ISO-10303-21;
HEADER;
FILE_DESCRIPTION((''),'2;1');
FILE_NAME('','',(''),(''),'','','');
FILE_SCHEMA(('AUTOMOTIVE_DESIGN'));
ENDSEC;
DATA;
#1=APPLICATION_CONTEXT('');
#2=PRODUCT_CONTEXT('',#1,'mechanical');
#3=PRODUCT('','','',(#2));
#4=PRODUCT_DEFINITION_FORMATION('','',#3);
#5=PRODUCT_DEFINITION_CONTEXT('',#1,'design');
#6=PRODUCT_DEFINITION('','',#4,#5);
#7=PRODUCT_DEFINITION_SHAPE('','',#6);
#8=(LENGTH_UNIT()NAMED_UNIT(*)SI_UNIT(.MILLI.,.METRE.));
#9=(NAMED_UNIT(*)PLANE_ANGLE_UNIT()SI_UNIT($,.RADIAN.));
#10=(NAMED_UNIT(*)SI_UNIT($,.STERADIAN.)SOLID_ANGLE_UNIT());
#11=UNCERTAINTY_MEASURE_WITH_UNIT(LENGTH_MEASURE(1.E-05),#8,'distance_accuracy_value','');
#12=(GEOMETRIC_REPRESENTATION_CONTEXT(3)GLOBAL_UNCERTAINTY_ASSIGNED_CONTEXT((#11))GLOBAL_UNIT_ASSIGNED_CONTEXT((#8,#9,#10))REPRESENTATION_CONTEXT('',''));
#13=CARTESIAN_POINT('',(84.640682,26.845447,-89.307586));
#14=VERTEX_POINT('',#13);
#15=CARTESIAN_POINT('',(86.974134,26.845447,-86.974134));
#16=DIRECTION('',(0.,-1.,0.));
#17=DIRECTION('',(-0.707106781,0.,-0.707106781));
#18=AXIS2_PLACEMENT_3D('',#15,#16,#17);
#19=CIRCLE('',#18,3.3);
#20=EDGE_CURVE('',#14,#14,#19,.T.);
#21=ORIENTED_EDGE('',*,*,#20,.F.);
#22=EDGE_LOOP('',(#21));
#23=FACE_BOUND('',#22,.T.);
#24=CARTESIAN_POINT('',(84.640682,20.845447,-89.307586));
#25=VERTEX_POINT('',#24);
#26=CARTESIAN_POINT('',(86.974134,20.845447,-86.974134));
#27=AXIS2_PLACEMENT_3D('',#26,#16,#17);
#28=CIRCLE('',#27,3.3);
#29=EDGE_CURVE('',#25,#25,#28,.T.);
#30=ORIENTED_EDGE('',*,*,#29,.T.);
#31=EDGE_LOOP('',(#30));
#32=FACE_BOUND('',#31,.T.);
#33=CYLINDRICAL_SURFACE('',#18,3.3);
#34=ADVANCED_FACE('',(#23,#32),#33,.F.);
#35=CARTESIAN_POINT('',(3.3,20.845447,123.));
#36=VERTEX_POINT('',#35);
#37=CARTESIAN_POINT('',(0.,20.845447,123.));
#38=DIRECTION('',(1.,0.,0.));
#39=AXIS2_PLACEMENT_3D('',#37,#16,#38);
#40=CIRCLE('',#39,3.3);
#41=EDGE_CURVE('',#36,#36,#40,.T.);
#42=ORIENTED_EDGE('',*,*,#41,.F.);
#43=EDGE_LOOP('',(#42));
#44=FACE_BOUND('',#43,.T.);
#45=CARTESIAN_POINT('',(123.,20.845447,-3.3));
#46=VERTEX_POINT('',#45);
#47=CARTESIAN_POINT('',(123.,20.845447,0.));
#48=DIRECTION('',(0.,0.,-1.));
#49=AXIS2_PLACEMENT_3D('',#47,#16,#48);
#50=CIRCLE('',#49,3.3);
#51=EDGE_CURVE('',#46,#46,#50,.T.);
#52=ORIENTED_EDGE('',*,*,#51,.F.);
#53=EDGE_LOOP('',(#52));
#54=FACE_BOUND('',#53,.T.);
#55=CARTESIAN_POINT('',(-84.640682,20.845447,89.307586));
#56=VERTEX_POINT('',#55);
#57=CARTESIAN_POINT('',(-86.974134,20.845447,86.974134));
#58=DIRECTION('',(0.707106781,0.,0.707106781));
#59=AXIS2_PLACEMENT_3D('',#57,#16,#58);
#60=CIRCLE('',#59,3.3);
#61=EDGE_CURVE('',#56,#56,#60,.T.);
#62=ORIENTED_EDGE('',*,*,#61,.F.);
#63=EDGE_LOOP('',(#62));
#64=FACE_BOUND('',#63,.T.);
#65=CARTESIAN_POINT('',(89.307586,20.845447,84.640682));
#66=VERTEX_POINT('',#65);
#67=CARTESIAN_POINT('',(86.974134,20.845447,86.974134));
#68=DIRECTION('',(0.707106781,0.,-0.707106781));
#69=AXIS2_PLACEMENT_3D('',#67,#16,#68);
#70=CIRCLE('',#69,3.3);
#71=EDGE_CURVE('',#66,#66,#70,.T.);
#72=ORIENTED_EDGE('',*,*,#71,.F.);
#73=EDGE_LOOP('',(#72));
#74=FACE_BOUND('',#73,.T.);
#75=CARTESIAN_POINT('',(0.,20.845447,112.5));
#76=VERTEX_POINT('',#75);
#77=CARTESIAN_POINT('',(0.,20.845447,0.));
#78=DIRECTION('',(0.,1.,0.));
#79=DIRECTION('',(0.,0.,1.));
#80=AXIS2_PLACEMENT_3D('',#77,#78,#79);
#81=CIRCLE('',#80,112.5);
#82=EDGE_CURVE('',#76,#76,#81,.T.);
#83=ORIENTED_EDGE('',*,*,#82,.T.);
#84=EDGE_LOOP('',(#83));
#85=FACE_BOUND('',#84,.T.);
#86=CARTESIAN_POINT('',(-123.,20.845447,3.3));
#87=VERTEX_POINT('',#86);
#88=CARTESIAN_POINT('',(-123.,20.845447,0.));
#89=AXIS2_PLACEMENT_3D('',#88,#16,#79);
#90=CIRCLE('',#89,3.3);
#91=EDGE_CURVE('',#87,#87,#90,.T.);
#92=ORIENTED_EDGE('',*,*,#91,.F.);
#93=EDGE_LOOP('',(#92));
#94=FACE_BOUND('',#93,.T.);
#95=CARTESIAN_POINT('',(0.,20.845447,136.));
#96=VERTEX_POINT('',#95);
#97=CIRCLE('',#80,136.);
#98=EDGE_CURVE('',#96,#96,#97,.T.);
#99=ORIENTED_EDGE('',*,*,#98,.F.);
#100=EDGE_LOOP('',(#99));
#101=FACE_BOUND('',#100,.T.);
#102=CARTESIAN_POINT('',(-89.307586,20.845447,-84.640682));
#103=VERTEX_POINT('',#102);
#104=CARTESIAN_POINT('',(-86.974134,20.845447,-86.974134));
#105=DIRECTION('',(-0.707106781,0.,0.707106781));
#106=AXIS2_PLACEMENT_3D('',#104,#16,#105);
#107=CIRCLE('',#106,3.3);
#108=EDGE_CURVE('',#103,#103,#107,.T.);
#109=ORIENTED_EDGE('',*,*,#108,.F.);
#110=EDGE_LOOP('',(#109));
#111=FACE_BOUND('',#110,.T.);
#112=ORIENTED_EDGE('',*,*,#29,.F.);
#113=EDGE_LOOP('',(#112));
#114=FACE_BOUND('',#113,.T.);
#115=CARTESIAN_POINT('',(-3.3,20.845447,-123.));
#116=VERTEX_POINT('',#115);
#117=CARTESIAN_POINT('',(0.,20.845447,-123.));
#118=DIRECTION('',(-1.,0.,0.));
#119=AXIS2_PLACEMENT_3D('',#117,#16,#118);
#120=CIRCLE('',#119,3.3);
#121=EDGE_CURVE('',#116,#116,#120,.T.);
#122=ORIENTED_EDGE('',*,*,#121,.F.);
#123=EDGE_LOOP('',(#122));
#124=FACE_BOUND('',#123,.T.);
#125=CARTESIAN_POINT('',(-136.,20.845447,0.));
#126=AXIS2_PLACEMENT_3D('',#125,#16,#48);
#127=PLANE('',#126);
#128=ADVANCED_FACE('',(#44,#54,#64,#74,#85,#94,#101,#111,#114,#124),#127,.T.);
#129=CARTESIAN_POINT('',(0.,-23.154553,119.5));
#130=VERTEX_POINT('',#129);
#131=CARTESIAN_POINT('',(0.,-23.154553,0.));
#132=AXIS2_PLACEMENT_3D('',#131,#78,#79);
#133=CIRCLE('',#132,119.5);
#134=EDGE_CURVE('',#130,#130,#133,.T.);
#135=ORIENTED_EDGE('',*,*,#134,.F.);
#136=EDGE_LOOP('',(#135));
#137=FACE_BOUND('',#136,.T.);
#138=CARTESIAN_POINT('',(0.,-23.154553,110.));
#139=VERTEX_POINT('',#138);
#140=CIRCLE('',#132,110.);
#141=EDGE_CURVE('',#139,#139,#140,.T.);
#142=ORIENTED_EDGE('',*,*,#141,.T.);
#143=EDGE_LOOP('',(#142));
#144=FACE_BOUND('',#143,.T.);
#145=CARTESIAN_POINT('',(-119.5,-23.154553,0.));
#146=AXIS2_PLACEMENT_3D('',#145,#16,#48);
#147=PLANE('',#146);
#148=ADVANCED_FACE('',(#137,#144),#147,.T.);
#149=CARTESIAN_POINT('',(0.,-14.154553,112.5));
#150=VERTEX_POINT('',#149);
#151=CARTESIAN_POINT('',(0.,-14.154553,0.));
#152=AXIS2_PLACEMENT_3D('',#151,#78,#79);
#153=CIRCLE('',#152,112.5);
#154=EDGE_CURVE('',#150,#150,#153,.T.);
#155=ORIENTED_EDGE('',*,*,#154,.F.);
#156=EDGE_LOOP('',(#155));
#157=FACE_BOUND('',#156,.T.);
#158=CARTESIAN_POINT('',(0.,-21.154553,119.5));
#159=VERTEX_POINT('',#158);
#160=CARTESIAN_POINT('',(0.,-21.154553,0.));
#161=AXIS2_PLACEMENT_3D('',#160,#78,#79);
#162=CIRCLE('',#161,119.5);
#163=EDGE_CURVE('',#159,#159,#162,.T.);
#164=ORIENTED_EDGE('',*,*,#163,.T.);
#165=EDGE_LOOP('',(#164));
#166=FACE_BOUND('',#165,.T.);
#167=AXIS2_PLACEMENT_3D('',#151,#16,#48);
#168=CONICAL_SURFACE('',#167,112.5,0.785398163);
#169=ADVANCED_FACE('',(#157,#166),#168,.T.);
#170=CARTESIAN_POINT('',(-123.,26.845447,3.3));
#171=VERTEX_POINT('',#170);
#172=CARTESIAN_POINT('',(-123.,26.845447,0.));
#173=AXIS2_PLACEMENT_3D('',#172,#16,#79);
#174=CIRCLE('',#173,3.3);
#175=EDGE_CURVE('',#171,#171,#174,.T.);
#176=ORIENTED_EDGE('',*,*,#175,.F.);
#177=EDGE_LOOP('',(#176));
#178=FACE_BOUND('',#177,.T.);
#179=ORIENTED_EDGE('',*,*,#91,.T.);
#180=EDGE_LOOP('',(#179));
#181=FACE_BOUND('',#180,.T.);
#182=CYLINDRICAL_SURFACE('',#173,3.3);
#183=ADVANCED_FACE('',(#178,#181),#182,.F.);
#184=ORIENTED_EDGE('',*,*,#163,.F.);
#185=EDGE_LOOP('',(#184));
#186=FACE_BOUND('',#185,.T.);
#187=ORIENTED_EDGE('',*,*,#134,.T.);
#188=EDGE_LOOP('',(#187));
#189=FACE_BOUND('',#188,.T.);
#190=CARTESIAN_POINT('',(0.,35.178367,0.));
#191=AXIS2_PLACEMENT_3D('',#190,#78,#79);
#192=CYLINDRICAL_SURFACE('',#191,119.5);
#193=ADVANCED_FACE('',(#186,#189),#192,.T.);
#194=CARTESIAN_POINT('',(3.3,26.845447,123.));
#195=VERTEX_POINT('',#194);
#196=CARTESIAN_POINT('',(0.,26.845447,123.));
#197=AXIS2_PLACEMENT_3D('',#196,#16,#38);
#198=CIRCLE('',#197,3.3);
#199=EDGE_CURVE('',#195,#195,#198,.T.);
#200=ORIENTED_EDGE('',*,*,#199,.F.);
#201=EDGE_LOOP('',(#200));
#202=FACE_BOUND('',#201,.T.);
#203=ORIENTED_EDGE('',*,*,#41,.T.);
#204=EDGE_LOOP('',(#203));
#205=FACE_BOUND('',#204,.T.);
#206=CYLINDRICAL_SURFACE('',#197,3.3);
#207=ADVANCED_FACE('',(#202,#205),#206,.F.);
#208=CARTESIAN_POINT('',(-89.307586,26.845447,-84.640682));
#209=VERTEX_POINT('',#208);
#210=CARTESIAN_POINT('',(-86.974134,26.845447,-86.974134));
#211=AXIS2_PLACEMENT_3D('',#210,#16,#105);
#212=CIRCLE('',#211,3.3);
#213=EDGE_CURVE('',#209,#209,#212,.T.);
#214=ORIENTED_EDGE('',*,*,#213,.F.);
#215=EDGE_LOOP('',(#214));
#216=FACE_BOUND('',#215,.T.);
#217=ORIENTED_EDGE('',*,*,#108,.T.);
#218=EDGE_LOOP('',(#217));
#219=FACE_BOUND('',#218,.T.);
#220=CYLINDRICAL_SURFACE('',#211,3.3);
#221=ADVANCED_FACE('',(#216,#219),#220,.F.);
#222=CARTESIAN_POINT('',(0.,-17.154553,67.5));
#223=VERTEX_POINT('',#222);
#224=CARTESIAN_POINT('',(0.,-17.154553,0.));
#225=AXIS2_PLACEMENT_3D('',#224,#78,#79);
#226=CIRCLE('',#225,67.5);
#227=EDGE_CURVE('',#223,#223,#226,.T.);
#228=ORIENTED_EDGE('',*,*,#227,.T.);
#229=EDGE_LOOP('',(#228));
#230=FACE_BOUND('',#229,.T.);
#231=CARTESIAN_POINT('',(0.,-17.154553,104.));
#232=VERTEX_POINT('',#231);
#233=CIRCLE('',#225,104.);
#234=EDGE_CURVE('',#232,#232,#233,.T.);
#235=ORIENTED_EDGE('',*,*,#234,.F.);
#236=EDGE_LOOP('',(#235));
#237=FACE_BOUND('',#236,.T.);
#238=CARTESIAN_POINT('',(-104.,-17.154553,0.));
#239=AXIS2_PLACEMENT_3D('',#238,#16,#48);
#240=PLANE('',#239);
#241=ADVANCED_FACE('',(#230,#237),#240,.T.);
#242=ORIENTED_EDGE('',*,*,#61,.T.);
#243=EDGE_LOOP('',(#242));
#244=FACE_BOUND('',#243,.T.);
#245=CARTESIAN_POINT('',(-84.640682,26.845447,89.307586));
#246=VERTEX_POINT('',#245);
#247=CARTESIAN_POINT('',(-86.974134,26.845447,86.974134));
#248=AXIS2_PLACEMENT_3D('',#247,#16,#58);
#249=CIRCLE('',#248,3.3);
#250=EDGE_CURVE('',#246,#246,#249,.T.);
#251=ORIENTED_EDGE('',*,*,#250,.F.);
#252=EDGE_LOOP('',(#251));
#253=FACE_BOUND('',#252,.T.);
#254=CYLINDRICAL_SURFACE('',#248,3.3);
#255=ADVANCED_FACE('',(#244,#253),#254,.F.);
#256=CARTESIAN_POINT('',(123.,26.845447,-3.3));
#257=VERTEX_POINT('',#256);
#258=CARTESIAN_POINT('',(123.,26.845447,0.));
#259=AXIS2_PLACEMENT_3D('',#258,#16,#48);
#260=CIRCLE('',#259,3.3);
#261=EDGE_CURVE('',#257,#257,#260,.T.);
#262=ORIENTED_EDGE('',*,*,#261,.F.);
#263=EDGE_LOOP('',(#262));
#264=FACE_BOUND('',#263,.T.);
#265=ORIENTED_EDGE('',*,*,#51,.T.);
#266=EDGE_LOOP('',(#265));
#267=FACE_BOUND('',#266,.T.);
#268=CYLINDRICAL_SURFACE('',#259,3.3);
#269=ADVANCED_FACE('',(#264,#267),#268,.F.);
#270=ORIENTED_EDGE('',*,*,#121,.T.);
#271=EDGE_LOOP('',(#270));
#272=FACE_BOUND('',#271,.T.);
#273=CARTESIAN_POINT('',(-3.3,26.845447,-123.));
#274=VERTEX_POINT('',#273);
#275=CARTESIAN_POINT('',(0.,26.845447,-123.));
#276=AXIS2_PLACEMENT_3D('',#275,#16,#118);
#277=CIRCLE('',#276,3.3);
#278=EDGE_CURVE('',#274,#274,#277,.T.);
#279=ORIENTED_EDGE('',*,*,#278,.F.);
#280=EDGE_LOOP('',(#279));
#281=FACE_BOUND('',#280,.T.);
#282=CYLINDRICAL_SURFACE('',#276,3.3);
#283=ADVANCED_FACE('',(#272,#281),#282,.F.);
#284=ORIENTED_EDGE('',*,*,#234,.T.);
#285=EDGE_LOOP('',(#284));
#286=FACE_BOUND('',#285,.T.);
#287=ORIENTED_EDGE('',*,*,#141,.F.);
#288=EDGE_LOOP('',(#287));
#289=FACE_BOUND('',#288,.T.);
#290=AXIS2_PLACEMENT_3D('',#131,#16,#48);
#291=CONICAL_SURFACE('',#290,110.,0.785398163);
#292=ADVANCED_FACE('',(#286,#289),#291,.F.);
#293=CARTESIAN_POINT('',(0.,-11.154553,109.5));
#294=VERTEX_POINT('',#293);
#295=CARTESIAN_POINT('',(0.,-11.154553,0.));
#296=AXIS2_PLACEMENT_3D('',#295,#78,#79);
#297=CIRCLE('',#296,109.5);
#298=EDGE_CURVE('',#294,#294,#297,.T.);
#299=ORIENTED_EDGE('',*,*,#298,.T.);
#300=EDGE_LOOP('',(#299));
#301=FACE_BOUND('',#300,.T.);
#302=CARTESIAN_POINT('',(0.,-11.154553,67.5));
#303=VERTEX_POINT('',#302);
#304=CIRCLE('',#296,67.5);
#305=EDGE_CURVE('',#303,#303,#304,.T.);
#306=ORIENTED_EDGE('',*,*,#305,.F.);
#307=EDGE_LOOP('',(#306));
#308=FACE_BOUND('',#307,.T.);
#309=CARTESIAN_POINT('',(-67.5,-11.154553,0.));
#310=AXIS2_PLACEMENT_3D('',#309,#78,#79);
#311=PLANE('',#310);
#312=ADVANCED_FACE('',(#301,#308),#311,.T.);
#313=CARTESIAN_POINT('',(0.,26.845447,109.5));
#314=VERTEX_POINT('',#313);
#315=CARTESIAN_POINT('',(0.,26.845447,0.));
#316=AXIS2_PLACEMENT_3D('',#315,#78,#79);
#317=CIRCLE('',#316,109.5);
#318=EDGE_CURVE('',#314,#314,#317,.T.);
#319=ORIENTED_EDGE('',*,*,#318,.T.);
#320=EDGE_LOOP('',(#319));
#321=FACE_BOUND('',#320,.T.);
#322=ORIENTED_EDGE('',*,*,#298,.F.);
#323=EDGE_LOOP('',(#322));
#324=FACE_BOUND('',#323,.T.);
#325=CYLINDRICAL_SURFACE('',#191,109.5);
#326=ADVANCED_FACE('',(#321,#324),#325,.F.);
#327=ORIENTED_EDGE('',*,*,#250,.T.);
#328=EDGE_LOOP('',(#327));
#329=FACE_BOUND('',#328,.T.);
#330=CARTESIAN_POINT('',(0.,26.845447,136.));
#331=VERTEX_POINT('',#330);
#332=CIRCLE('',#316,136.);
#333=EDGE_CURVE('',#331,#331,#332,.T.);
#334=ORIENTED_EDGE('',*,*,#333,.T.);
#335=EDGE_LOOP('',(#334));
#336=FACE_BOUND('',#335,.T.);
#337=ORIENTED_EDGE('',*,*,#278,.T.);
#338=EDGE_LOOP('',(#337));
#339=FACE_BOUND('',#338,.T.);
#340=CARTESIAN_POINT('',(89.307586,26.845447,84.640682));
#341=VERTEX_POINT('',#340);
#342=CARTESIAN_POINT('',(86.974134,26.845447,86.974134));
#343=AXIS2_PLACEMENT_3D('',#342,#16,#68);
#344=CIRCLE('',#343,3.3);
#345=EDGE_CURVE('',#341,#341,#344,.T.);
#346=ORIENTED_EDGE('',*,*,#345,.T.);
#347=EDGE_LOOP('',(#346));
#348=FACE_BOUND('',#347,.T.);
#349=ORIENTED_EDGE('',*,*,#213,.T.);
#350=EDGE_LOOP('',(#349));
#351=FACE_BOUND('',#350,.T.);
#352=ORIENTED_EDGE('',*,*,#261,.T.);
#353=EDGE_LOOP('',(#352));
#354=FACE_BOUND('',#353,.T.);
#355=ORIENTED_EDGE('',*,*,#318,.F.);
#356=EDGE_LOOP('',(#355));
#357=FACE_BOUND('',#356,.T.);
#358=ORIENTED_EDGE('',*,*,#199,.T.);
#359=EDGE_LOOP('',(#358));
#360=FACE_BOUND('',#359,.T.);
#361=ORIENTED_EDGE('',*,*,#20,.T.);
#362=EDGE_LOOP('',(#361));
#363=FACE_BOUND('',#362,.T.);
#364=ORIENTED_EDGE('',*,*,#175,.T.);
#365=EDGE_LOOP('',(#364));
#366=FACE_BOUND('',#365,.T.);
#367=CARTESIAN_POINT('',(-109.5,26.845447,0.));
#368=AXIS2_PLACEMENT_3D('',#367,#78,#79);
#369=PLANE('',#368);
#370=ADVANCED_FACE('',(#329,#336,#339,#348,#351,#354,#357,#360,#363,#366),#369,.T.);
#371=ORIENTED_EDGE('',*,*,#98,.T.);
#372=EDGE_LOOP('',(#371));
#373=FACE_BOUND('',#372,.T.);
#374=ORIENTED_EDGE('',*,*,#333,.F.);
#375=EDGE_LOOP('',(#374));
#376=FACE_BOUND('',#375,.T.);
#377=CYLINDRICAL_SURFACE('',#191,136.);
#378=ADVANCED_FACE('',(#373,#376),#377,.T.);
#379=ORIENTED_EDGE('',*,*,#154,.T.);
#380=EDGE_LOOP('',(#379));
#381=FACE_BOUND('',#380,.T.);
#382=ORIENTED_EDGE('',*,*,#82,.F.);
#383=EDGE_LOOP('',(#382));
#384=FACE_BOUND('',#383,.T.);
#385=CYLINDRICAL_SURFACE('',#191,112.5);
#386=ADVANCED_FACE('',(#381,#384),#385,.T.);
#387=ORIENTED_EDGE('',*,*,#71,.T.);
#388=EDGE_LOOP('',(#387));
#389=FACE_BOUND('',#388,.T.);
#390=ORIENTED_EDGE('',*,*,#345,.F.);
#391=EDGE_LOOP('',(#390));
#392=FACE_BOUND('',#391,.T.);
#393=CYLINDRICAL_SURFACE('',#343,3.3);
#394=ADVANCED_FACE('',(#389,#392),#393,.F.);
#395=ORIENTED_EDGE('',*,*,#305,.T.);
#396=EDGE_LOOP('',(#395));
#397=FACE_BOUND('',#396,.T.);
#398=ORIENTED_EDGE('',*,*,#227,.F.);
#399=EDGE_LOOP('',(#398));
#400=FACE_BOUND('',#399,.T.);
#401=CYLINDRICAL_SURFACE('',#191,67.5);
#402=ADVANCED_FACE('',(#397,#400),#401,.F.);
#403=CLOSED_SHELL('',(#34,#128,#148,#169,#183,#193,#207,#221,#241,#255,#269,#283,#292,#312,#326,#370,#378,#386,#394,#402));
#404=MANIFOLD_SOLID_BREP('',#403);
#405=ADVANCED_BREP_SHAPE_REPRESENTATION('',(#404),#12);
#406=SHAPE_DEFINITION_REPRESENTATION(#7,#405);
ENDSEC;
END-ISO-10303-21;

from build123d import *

# Parameters (mm, degrees)
SKETCH_2_R               = 3.3
BASE_PLATE_M6_DEPTH      = 198.301799282
PATTERN_CIRCULAR_1_COUNT = 8


with BuildPart() as part:
    # ｽｹｯﾁ1 → 回転1 (revolve)
    with BuildSketch(Plane.XY, mode=Mode.PRIVATE) as revolve_1_sk:
        Polygon((-109.5, 26.845447074), (-136, 26.845447074), (-136, 20.845447074), (-112.5, 20.845447074), (-112.5, -14.154552926), (-119.5, -21.154552926), (-119.5, -23.154552926), (-110, -23.154552926), (-104, -17.154552926), (-67.5, -17.154552926), (-67.5, -11.154552926), (-109.5, -11.154552926), align=None)
    revolve(revolve_1_sk.sketch.rotate(Axis((0, 100.817249739, 0), (0, -1, 0)), 270), axis=Axis((0, 100.817249739, 0), (0, -1, 0)))

    # ｽｹｯﾁ2 → Base_Plateへの固定用穴(M6の六角ボルトを使用) (cut, through all)
    with BuildSketch(Plane.XZ.offset(-20.845447074)):
        with Locations(Location((123, 0, 0), (0, 0, 270))):
            Circle(SKETCH_2_R)
    base_plate_m6 = extrude(amount=-BASE_PLATE_M6_DEPTH, mode=Mode.SUBTRACT)

    # 円形ﾊﾟﾀｰﾝ1: Base_Plateへの固定用穴(M6の六角ボルトを使用) ×8 about axis
    pattern_circular_1_axis = Axis((0, 0, 0), (0, 1, 0))
    for i in range(1, PATTERN_CIRCULAR_1_COUNT):
        add(base_plate_m6.rotate(pattern_circular_1_axis, i * 360 / PATTERN_CIRCULAR_1_COUNT), mode=Mode.SUBTRACT)


solid = part.part
